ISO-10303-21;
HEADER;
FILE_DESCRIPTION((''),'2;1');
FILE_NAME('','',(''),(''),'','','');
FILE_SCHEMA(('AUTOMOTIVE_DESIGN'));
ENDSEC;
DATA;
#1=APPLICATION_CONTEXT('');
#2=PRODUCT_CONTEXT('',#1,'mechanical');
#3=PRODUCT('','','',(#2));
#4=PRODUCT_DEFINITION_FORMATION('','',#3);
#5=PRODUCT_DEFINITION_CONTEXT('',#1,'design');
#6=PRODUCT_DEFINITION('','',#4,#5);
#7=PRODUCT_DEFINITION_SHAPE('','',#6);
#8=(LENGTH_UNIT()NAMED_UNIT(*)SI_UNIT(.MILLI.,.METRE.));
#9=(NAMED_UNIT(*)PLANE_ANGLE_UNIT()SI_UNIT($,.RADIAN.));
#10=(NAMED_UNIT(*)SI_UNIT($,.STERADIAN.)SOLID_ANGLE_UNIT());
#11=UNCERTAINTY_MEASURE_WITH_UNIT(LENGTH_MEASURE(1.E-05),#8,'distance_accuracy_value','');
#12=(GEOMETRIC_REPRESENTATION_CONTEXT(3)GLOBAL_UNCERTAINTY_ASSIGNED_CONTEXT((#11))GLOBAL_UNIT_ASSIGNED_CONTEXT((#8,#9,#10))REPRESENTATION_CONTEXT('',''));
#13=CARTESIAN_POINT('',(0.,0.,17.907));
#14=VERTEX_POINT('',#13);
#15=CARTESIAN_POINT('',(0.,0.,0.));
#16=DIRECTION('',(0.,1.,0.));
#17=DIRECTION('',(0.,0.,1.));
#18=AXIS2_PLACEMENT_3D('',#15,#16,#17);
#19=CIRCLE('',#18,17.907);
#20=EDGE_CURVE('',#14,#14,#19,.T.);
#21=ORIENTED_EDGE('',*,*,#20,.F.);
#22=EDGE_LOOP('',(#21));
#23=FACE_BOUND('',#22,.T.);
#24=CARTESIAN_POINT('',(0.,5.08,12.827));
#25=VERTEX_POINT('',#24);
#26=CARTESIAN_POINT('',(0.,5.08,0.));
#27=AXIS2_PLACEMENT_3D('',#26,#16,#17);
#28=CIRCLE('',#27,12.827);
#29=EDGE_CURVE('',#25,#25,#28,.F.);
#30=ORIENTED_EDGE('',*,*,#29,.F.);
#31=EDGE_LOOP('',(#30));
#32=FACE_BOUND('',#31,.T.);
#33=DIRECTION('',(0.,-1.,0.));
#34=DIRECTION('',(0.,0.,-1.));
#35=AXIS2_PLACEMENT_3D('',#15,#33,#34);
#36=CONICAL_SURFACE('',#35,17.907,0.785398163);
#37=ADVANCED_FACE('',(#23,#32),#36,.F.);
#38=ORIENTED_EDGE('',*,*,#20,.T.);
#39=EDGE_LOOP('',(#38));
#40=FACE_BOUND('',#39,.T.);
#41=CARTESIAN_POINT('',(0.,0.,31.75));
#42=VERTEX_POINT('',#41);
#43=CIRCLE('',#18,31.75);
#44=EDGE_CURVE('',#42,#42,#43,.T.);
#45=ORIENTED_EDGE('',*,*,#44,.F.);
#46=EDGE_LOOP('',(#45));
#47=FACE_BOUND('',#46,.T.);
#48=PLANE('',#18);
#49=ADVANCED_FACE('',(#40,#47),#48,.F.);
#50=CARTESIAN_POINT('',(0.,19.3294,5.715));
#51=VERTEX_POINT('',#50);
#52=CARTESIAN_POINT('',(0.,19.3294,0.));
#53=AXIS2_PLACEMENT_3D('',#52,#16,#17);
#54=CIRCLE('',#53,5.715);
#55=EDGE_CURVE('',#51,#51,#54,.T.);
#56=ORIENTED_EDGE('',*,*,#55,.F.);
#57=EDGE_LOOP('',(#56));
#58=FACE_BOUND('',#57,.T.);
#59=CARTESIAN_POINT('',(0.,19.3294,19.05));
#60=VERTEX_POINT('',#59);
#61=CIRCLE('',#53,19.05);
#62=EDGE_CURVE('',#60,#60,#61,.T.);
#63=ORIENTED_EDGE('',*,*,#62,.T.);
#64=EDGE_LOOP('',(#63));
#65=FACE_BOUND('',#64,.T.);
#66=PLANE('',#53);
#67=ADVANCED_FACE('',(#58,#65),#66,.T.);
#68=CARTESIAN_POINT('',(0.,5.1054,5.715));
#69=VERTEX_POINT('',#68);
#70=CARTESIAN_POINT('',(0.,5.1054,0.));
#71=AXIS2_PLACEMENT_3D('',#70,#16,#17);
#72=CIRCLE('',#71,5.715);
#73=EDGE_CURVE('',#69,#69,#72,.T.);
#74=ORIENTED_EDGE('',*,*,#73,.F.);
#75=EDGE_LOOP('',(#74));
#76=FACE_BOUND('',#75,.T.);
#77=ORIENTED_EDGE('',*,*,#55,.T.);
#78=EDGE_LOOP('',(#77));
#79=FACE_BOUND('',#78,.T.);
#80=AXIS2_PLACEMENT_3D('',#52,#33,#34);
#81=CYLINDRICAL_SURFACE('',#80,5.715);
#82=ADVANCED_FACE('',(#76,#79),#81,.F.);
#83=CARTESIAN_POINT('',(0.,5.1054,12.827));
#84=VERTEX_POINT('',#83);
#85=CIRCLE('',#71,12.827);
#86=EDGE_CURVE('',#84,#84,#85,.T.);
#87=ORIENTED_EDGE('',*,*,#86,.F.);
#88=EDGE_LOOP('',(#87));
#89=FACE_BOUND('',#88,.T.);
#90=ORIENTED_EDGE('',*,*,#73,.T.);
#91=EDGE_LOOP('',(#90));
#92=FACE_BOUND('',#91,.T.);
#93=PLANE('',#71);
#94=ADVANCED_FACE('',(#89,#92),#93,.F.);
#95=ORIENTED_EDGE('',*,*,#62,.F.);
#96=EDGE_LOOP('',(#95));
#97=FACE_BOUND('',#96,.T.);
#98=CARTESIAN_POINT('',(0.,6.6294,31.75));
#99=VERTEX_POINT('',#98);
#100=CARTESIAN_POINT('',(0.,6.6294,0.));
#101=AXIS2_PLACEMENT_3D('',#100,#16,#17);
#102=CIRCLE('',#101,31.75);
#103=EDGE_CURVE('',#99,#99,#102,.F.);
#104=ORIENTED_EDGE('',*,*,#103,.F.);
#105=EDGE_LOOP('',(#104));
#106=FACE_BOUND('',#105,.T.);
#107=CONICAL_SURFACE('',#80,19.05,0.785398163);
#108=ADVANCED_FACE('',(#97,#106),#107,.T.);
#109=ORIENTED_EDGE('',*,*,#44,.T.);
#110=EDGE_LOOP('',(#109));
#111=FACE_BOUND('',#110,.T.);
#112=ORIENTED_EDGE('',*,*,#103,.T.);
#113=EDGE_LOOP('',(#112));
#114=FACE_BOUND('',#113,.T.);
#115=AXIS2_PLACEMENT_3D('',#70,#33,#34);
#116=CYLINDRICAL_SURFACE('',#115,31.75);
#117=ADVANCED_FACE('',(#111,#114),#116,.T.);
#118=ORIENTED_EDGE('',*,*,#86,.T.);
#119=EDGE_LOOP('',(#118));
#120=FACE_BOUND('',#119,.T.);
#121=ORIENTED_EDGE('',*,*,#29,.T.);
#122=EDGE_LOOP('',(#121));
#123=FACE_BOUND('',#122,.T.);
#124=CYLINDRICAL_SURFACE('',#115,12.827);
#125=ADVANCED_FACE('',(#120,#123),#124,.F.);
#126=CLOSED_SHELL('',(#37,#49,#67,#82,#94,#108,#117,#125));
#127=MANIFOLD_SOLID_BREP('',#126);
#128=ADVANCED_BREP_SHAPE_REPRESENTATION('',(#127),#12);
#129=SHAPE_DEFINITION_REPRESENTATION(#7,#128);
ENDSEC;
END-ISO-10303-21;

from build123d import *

# Parameters (mm, degrees)
SKETCH1_R           = 31.75
SKETCH1_R_2         = 12.827
BOSS_EXTRUDE1_DEPTH = 5.1054
SKETCH2_R           = 31.75
SKETCH2_R_2         = 5.715
BOSS_EXTRUDE2_DEPTH = 14.224
CHAMFER1_SIZE       = 5.08
CHAMFER2_SIZE       = 12.7


with BuildPart() as part:
    # Sketch1 → Boss-Extrude1 (new body)
    with BuildSketch(Plane(origin=(0, 0, 0), x_dir=(1, 0, 0), z_dir=(0, 1, 0))):
        Circle(SKETCH1_R)
        Circle(SKETCH1_R_2, mode=Mode.SUBTRACT)
    extrude(amount=BOSS_EXTRUDE1_DEPTH)

    # Sketch2 → Boss-Extrude2 (add)
    with BuildSketch(Plane(origin=(0, 5.1054, 0), x_dir=(1, 0, 0), z_dir=(0, 1, 0))):
        Circle(SKETCH2_R)
        Circle(SKETCH2_R_2, mode=Mode.SUBTRACT)
    extrude(amount=BOSS_EXTRUDE2_DEPTH)

    # Chamfer1
    chamfer1_edges = [part.edges().sort_by_distance(p)[0] for p in [
        (-12.827, 0, 0),
    ]]
    chamfer(chamfer1_edges, length=CHAMFER1_SIZE)

    # Chamfer2
    chamfer2_edges = [part.edges().sort_by_distance(p)[0] for p in [
        (-31.75, 19.3294, 0),
    ]]
    chamfer(chamfer2_edges, length=CHAMFER2_SIZE)


solid = part.part
